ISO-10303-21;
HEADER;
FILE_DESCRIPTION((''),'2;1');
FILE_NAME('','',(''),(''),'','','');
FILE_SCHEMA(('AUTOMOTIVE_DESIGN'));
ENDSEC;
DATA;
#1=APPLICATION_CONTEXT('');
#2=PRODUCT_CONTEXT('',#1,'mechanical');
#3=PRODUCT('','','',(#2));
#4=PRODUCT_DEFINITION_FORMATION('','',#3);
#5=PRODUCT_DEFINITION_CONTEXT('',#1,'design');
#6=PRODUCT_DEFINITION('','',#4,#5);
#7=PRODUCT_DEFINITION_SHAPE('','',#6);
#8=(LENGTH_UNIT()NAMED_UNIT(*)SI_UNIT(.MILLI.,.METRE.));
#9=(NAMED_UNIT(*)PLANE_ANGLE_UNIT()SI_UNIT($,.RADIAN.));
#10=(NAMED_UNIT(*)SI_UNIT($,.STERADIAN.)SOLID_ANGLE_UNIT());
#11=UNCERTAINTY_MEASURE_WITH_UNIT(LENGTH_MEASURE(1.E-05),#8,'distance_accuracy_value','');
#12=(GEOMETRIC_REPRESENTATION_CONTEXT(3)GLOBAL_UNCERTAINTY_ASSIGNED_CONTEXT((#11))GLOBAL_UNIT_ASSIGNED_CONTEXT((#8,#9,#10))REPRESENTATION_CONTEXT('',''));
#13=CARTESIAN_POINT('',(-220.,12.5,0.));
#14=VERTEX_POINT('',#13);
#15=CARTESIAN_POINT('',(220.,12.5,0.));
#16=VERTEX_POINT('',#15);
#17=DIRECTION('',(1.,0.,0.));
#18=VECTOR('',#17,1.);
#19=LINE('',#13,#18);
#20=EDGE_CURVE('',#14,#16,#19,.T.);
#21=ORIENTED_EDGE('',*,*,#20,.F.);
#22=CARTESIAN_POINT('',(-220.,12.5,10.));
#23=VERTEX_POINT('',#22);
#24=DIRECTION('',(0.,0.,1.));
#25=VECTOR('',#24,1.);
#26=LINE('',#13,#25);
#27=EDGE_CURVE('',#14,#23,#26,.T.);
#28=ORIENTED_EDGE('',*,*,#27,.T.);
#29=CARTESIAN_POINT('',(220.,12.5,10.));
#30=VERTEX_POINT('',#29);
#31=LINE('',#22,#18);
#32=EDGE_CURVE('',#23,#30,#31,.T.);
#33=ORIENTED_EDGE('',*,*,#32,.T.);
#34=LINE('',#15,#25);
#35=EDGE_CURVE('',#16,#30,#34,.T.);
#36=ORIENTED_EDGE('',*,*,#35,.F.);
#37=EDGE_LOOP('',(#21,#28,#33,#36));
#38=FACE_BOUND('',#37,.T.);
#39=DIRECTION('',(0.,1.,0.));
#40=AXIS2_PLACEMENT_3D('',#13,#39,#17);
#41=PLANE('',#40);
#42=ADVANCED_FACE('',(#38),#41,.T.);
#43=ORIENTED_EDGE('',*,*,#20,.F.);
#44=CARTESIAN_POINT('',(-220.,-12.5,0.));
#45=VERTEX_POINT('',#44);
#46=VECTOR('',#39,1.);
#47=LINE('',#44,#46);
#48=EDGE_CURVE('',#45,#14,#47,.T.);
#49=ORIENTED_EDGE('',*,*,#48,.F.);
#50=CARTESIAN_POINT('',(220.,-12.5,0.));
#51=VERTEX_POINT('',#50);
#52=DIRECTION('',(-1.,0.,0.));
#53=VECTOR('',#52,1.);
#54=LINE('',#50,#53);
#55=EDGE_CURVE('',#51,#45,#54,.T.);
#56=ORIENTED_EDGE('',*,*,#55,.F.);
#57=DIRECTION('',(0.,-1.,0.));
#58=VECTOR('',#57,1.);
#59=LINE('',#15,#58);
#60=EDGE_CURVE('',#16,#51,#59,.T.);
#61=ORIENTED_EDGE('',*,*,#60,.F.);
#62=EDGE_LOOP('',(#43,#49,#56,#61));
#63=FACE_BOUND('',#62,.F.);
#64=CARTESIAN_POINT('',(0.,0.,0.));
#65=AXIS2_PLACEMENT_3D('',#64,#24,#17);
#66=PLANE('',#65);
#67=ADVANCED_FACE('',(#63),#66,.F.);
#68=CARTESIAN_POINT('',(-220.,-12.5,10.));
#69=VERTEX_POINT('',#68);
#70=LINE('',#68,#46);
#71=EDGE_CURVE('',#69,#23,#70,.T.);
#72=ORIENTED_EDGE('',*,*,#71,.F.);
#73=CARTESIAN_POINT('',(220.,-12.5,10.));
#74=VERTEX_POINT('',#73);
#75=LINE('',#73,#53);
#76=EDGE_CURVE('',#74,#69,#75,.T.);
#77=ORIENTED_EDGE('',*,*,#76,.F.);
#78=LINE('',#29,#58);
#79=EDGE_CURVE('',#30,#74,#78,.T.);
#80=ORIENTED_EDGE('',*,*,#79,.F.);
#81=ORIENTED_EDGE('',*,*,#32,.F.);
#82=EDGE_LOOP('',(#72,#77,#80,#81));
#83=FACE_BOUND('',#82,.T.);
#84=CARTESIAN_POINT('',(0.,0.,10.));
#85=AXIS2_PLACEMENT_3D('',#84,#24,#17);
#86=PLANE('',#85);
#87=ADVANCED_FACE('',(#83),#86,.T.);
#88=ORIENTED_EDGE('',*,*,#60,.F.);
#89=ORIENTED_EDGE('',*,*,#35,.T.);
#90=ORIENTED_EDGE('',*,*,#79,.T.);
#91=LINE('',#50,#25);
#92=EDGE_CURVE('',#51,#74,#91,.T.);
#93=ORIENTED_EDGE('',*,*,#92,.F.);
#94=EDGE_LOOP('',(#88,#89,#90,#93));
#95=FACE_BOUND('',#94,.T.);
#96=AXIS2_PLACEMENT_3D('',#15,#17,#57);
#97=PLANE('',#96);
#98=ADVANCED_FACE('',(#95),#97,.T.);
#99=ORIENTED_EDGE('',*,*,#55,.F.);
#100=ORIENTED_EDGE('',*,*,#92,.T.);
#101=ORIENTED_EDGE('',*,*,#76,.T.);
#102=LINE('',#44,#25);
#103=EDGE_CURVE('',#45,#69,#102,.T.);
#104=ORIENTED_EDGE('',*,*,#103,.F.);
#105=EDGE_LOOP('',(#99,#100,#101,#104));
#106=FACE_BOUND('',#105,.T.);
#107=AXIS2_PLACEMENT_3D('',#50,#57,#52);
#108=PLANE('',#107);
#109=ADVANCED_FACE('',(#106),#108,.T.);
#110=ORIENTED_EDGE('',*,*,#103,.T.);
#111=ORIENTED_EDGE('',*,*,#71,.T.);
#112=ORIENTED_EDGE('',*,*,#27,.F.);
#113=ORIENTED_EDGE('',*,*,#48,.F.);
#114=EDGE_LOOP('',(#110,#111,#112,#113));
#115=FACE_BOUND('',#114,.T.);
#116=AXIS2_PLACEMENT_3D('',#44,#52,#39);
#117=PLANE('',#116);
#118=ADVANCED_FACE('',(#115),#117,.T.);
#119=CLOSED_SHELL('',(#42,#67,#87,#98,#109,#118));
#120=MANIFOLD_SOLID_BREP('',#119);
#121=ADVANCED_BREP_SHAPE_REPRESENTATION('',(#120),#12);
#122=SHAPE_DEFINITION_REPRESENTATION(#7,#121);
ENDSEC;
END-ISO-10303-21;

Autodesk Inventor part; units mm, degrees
ref_plane "YZ Plane" through (0, 0, 0) normal (1, 0, 0) x (0, 1, 0)
ref_plane "XZ Plane" through (0, 0, 0) normal (0, 1, 0) x (-1, 0, 0)
ref_plane "XY Plane" through (0, 0, 0) normal (0, 0, 1) x (1, 0, 0)
sketch "Sketch1" plane through (0, 0, 0) normal (0, 0, 1) x (1, 0, 0)
  line L0 (-220, 12.5) -> (220, 12.5)
  line L1 (220, 12.5) -> (220, -12.5)
  line L2 (220, -12.5) -> (-220, -12.5)
  line L3 (-220, -12.5) -> (-220, 12.5)
  line L4 (-220, 12.5) -> (220, -12.5) construction
  line L5 (220, 12.5) -> (-220, -12.5) construction
  point P0 (0, 0)
  dimension "d0" = 440
  dimension "d1" = 25
extrude "Extrusion1" add sketch "Sketch1" along normal blind 10
properties part number "ДМС 053 усилитель кормовой 1"
